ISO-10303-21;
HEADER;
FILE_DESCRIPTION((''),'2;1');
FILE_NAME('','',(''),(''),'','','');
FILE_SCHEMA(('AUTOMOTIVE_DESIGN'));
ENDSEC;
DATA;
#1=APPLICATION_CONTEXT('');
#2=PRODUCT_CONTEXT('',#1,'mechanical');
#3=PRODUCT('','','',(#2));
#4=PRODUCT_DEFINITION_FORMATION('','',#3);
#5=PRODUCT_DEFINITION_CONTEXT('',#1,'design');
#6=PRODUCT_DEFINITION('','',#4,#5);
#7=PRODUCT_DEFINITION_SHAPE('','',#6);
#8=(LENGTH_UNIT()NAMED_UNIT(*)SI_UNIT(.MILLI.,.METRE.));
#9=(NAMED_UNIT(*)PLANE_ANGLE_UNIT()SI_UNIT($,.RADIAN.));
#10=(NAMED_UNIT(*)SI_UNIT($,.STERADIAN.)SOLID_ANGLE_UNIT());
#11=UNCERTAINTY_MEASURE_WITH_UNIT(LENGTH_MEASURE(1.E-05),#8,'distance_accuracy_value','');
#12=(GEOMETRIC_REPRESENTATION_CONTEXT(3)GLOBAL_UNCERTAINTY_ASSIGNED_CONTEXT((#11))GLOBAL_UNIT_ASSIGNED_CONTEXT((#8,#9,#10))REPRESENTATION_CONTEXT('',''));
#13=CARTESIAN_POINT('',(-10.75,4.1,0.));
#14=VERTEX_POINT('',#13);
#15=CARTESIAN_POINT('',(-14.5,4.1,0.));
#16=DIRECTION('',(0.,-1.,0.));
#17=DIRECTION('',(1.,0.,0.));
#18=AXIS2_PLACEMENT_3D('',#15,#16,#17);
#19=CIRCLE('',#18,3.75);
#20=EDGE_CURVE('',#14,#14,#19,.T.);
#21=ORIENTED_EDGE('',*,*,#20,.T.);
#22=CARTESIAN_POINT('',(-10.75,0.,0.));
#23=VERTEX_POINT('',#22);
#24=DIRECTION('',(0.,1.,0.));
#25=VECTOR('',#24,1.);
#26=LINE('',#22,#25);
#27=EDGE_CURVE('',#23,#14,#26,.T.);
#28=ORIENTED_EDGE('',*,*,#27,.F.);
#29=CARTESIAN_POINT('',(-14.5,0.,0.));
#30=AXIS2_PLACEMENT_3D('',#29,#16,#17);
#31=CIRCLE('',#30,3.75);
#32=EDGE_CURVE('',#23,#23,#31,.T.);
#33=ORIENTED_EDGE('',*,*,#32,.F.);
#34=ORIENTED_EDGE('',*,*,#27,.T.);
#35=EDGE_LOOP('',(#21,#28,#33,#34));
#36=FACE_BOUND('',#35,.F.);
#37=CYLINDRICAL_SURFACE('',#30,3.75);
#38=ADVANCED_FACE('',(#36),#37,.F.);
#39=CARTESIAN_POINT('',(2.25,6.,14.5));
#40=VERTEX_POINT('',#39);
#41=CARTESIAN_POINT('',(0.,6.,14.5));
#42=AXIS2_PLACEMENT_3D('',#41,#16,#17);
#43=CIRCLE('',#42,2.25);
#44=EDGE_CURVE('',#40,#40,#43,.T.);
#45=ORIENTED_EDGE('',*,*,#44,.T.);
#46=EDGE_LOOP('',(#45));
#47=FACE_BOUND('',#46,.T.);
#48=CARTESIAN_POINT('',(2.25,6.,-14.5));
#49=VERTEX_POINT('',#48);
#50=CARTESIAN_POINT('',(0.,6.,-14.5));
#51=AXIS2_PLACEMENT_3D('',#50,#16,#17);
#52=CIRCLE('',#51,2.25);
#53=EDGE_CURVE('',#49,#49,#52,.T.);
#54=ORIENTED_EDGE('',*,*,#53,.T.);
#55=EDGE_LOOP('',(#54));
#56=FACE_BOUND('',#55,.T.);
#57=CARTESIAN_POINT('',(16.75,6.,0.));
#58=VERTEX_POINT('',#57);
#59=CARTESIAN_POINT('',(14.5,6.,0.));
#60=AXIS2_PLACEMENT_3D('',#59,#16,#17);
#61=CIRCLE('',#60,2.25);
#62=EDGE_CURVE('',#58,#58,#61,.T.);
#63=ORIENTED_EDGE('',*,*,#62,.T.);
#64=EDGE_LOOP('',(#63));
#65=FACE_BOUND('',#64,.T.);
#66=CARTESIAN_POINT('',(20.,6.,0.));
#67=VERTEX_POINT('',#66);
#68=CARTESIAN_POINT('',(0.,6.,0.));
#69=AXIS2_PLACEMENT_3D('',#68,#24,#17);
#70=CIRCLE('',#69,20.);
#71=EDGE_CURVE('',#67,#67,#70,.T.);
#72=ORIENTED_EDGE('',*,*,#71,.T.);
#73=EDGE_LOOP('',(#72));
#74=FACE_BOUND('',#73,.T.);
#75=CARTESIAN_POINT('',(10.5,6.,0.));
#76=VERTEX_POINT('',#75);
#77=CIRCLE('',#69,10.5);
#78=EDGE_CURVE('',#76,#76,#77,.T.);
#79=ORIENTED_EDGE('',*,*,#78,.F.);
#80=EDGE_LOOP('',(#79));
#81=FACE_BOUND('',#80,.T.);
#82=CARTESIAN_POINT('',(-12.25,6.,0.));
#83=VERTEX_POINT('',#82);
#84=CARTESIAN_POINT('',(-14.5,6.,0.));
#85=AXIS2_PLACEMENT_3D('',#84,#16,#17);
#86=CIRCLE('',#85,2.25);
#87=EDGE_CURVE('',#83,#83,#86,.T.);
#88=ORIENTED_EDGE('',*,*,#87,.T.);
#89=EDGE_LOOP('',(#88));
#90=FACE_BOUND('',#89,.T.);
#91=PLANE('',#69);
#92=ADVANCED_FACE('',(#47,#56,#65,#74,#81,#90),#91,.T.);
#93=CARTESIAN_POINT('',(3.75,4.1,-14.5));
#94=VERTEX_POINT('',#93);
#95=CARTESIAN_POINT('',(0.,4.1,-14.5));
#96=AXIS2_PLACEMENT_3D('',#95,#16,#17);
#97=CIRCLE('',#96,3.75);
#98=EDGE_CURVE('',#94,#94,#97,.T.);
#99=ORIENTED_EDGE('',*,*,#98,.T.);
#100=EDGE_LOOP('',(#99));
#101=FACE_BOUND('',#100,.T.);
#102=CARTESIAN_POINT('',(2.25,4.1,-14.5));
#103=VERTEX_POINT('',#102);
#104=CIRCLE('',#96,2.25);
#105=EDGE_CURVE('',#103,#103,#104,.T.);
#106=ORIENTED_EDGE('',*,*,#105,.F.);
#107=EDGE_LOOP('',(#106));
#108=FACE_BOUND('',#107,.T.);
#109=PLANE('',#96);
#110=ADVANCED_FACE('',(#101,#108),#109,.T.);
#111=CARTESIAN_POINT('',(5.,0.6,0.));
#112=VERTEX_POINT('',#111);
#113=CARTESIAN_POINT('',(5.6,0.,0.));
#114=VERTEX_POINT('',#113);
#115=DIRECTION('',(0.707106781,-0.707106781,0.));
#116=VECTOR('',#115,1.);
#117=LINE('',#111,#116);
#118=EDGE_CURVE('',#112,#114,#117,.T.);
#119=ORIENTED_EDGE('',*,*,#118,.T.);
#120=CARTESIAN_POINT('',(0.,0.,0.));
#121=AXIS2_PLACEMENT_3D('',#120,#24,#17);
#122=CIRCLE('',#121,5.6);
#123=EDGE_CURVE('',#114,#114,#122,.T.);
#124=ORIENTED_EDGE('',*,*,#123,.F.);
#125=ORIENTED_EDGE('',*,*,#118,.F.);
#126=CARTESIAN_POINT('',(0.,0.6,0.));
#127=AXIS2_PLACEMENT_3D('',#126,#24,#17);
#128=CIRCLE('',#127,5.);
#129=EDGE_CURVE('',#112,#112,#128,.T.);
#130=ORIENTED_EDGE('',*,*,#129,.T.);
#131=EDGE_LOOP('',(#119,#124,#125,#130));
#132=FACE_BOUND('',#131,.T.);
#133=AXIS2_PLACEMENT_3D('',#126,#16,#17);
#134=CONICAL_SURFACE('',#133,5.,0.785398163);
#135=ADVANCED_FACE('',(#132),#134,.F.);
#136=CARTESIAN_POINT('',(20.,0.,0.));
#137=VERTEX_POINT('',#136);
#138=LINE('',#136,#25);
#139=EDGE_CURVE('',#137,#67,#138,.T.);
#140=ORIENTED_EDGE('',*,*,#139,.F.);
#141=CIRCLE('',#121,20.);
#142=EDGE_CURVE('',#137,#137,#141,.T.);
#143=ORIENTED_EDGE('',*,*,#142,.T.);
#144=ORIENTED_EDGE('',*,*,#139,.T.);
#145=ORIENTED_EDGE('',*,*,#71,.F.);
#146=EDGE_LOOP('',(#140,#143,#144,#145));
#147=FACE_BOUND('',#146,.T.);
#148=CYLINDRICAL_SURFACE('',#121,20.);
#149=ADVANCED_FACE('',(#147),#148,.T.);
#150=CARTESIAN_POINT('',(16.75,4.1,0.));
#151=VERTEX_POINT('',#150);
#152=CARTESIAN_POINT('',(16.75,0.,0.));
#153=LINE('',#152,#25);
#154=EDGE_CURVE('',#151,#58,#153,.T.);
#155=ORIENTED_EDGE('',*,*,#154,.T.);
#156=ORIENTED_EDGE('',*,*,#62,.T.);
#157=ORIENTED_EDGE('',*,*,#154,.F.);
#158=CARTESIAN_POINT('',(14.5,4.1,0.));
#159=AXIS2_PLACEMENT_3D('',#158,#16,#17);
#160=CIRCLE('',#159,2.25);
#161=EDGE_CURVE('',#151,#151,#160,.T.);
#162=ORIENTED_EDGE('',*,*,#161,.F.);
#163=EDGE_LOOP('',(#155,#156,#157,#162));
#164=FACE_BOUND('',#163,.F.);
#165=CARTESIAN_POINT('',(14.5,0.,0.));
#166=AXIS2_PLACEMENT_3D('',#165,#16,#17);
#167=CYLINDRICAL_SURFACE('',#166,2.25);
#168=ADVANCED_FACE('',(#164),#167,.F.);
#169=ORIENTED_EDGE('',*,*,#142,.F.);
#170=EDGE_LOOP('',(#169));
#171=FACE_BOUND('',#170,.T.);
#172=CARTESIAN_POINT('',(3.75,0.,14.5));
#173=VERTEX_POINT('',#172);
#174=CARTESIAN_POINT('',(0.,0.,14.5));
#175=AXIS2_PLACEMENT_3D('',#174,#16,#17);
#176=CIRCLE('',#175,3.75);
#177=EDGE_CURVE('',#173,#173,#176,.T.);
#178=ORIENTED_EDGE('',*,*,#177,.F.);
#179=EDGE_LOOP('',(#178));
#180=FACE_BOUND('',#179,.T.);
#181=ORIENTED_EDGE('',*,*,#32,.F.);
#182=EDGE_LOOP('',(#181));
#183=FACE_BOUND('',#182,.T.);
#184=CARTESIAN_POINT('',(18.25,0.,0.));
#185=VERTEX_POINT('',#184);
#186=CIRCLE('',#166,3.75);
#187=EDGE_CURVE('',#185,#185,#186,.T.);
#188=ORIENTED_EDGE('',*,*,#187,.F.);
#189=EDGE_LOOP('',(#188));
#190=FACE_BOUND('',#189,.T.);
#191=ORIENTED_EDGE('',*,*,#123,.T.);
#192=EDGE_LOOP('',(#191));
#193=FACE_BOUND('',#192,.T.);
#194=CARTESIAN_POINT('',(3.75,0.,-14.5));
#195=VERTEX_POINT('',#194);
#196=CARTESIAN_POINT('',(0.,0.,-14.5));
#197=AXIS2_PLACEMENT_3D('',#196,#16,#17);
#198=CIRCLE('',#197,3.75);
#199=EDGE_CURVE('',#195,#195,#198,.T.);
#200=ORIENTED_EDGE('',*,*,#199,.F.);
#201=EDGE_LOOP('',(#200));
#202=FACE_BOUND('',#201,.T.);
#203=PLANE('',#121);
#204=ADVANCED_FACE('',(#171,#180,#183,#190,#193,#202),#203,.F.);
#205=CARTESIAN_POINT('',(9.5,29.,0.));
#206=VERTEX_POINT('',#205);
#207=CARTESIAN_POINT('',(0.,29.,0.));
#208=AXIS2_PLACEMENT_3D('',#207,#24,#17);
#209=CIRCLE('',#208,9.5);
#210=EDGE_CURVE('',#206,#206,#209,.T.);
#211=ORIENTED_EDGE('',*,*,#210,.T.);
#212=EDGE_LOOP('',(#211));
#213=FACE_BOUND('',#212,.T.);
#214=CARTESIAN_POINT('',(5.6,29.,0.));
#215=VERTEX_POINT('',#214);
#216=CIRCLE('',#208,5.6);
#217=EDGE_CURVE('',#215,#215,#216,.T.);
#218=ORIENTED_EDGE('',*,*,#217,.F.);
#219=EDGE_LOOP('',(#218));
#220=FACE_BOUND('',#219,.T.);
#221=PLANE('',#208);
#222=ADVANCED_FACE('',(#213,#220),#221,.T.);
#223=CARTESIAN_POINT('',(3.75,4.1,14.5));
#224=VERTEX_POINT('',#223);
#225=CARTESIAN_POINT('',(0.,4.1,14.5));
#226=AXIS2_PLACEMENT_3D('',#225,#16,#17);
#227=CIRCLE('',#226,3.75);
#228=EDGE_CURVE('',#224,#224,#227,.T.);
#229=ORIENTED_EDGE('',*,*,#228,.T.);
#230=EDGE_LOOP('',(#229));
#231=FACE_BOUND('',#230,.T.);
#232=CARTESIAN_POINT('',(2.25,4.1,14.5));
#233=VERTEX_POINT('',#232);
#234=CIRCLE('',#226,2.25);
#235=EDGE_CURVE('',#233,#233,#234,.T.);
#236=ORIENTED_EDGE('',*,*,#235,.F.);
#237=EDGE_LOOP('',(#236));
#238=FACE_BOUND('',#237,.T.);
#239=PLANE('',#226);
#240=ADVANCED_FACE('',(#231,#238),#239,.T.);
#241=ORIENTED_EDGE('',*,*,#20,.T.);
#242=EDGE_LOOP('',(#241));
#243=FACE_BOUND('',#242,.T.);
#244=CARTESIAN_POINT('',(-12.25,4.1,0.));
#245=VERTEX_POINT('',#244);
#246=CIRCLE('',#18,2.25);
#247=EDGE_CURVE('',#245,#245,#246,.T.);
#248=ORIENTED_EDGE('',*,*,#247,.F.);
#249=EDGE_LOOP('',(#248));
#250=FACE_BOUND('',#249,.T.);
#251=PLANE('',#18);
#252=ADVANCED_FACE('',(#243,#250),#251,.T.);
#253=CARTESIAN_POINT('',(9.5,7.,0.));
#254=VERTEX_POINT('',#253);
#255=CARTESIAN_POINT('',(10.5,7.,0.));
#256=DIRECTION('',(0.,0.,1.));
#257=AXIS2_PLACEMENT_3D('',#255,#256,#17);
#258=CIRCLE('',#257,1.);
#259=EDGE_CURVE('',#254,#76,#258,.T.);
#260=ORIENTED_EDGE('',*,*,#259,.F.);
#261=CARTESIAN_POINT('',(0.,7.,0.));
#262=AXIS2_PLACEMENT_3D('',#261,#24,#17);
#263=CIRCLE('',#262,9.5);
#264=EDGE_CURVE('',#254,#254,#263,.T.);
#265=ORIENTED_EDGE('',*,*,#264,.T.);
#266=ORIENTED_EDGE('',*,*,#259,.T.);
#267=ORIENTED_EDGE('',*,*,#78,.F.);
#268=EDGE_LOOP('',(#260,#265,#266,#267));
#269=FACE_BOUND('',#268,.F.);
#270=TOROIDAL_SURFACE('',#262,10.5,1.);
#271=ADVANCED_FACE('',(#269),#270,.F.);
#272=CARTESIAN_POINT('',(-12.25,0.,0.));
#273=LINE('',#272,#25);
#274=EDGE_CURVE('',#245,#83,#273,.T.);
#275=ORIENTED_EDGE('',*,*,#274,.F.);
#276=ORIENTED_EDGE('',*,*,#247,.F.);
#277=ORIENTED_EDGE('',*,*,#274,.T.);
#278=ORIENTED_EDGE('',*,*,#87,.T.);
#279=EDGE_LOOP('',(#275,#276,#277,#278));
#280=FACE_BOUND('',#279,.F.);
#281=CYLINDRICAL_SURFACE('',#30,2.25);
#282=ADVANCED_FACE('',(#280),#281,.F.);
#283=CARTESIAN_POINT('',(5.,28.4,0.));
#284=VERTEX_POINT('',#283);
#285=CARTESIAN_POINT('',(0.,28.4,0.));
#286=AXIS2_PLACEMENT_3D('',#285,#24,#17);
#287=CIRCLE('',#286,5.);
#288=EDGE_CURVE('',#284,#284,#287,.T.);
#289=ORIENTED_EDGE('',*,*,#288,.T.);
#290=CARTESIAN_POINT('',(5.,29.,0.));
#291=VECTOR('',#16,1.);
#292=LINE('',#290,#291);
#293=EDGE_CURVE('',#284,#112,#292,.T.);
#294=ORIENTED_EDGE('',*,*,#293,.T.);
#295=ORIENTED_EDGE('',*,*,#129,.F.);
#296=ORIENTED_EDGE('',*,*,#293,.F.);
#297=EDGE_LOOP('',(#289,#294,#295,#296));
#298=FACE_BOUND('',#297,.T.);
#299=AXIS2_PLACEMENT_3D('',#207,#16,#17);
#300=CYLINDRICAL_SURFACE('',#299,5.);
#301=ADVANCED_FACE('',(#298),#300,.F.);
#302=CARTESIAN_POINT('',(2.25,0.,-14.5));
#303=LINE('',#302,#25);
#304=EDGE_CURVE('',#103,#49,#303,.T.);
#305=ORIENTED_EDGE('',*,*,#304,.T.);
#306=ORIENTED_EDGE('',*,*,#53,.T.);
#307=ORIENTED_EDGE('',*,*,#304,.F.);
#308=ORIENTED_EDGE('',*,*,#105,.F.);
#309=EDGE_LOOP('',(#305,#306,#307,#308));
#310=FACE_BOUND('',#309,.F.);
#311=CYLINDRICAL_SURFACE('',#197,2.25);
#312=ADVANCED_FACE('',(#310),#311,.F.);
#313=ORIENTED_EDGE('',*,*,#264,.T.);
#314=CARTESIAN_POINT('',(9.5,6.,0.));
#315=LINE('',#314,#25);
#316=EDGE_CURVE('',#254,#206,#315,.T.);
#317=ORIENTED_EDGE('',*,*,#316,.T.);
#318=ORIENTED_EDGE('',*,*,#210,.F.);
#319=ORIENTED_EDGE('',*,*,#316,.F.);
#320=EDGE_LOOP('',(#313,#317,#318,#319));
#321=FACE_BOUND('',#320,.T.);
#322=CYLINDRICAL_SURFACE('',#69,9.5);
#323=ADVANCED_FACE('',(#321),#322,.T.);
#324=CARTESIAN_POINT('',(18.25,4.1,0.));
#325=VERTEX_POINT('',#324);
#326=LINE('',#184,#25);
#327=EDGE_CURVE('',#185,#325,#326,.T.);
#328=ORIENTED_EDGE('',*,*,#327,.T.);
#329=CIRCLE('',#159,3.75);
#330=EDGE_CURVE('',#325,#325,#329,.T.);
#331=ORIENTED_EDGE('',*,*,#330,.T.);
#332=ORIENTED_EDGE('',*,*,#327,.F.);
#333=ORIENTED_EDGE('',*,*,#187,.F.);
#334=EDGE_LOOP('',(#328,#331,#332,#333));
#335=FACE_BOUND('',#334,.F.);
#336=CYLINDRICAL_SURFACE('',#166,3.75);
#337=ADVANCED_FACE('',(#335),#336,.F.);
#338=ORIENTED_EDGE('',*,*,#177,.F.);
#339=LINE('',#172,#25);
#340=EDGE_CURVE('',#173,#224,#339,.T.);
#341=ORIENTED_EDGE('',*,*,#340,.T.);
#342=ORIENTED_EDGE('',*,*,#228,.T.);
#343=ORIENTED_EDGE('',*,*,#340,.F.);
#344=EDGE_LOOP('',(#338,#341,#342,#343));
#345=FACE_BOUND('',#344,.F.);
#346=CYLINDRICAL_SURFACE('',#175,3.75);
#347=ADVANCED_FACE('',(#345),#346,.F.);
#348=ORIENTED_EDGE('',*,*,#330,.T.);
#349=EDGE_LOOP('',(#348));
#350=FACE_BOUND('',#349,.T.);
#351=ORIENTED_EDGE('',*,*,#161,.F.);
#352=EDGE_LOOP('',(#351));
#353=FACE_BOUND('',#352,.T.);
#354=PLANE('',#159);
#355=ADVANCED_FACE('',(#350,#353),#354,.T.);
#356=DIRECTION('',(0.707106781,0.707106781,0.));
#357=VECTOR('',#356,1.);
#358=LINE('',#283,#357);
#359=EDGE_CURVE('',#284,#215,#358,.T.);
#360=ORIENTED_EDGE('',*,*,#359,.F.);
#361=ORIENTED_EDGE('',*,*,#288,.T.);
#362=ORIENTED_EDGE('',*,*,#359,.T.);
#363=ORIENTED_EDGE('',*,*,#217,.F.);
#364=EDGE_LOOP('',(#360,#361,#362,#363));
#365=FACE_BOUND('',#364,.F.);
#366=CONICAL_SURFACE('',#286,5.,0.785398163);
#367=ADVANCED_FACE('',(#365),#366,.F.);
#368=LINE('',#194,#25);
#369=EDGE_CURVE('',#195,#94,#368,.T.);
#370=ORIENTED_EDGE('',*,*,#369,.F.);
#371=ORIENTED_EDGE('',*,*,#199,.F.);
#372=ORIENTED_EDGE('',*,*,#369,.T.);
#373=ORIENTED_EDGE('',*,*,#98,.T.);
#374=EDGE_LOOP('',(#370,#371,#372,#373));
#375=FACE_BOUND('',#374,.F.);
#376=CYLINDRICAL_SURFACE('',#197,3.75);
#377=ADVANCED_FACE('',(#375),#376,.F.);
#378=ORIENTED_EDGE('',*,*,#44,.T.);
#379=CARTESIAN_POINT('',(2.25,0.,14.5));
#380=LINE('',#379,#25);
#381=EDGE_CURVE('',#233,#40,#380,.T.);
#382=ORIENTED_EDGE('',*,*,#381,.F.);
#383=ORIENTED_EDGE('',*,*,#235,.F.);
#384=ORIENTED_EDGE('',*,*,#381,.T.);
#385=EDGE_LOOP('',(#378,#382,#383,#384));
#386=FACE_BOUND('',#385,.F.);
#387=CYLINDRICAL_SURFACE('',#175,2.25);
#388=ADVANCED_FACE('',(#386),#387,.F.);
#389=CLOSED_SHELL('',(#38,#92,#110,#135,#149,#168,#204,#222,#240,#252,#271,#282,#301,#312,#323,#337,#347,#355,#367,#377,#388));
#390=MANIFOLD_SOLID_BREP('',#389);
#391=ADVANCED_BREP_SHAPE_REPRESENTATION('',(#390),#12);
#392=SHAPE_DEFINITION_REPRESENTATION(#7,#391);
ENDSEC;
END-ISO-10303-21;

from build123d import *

# Parameters (mm, degrees)
F2_R     = 2.25
F3_DEPTH = 29.001
F4_R     = 3.75
F5_DEPTH = 4.1
F6_SIZE  = 0.6
F7_R     = 1


with BuildPart() as f1:
    # F0 (on Top) → F1 (revolve)
    with BuildSketch(Plane.XY):
        Polygon((5, 29), (5, 0), (20, 0), (20, 6), (9.5, 6), (9.5, 29), align=None)
    revolve(axis=Axis((0, 11.864793, 0), (0, 1, 0)))

    # F2 (on face) → F3 (cut, through all)
    with BuildSketch(Plane.XZ):
        with Locations((0, 14.5)):
            Circle(F2_R)
        with Locations((0, -14.5)):
            Circle(F2_R)
        with Locations((14.5, 0)):
            Circle(F2_R)
        with Locations((-14.5, 0)):
            Circle(F2_R)
    extrude(amount=-F3_DEPTH, mode=Mode.SUBTRACT)

    # F4 (on face) → F5 (cut)
    with BuildSketch(Plane.XZ):
        with Locations((0, 14.5)):
            Circle(F4_R)
        with Locations((14.5, 0)):
            Circle(F4_R)
        with Locations((0, -14.5)):
            Circle(F4_R)
        with Locations((-14.5, 0)):
            Circle(F4_R)
    extrude(amount=-F5_DEPTH, mode=Mode.SUBTRACT)

    # F6
    f6_edges = [f1.edges().sort_by_distance(p)[0] for p in [
        (5, 14.5, 0),
        (-5, 0, 0),
        (-5, 29, 0),
    ]]
    chamfer(f6_edges, length=F6_SIZE)

    # F7
    f7_edges = [f1.edges().sort_by_distance(p)[0] for p in [
        (-9.5, 6, 0),
    ]]
    fillet(f7_edges, radius=F7_R)


solid = f1.part
